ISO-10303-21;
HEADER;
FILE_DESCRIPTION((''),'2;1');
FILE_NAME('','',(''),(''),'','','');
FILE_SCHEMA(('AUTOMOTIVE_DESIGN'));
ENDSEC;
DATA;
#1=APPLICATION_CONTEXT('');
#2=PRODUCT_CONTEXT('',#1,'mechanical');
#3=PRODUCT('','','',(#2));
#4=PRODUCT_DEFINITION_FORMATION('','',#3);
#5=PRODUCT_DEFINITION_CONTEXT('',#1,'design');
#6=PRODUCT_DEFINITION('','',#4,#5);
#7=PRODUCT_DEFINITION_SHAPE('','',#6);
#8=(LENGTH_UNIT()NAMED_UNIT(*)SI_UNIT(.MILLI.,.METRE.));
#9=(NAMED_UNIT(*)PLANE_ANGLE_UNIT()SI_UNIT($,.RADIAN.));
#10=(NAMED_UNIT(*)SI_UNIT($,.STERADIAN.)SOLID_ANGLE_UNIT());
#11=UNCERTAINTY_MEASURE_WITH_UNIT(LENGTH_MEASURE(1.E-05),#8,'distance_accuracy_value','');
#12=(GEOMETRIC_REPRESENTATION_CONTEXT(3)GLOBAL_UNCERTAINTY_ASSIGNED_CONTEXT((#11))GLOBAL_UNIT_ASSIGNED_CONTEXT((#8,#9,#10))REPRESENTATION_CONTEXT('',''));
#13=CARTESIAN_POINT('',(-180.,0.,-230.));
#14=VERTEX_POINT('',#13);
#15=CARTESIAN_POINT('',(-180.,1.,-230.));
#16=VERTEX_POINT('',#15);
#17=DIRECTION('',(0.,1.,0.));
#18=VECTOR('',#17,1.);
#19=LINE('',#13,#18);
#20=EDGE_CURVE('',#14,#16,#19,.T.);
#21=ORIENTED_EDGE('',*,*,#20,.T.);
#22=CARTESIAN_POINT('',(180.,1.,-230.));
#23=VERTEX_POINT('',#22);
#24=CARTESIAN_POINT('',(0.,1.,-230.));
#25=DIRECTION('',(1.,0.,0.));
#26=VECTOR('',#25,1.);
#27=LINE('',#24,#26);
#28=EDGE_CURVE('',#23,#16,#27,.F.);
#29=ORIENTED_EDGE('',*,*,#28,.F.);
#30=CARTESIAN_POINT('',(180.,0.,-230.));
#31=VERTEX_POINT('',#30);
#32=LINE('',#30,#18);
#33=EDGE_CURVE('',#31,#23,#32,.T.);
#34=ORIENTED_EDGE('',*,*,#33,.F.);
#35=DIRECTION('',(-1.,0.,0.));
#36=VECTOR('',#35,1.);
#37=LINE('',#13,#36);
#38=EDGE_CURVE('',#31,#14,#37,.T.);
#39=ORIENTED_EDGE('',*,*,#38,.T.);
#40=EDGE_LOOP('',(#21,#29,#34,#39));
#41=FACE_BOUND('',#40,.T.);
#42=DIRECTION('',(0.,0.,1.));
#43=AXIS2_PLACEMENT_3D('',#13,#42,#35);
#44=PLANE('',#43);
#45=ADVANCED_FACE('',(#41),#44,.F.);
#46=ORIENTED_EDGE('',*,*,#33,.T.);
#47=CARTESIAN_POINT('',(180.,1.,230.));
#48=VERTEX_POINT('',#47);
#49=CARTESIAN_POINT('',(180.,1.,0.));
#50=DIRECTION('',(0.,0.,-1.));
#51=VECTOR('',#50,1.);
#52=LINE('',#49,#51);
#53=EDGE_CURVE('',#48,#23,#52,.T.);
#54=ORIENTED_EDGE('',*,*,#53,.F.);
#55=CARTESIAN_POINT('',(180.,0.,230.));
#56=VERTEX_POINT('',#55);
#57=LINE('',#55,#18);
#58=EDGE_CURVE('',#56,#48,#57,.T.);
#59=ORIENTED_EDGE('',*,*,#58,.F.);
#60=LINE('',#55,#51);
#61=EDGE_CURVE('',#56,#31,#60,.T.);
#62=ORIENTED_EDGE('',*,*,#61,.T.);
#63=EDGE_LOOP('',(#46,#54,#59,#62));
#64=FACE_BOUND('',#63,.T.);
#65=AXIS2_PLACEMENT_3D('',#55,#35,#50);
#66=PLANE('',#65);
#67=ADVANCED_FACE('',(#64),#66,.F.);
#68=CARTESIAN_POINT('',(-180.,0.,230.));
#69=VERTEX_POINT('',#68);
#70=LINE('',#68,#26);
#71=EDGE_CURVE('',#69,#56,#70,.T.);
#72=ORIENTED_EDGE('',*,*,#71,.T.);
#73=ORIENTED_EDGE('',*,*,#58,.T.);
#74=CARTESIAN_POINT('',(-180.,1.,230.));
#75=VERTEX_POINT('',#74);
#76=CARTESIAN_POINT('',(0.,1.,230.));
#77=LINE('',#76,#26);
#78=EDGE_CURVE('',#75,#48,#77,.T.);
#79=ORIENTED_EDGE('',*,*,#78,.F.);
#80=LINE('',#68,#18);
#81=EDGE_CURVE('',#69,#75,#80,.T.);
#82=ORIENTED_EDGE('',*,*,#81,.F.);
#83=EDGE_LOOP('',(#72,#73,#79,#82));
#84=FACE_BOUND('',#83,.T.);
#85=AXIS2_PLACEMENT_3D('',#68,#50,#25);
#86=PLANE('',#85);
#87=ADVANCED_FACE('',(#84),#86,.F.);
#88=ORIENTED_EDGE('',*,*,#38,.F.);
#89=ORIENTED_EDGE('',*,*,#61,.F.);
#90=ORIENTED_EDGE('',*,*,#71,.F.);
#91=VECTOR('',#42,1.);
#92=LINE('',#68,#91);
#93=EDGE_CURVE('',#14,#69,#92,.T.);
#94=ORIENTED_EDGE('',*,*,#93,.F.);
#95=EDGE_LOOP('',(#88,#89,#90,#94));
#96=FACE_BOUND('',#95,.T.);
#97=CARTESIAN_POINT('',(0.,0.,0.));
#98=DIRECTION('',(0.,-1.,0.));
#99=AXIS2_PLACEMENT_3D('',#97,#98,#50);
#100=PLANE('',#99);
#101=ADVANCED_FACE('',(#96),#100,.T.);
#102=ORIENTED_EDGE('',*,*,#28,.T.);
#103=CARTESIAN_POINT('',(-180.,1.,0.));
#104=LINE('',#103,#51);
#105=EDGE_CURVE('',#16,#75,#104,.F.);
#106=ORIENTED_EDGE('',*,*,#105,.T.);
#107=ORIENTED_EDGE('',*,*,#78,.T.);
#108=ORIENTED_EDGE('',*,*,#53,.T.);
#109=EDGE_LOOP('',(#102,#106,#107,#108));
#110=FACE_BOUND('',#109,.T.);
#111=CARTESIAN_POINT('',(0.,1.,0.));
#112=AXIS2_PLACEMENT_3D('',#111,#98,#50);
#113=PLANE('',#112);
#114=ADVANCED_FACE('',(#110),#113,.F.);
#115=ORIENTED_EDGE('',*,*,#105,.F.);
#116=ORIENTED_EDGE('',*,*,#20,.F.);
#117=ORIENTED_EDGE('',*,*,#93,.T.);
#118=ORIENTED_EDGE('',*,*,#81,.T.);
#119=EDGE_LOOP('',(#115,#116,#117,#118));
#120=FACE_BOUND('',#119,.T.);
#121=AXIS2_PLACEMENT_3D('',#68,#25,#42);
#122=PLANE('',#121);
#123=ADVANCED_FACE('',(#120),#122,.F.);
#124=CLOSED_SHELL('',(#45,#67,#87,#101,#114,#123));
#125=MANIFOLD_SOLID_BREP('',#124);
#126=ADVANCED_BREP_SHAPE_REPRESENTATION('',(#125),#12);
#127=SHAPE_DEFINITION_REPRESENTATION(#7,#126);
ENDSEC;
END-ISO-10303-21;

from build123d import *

# Parameters (mm, degrees)
CROQUIS1_W      = 360
CROQUIS1_H      = 460
DAR_ESPESOR2_T1 = 1


with BuildPart() as body_1:
    # Croquis1 → Superficie-Plano2: a flat surface bounded by the sketch
    with BuildSketch(Plane(origin=(0, 0, 0), x_dir=(1, 0, 0), z_dir=(0, 1, 0)), mode=Mode.PRIVATE) as superficie_plano2_1_region:
        Rectangle(CROQUIS1_W, CROQUIS1_H)
    superficie_plano2_1 = superficie_plano2_1_region.sketch.faces()[0]
    add(Solid.thicken(superficie_plano2_1, DAR_ESPESOR2_T1))


solid = body_1.part
